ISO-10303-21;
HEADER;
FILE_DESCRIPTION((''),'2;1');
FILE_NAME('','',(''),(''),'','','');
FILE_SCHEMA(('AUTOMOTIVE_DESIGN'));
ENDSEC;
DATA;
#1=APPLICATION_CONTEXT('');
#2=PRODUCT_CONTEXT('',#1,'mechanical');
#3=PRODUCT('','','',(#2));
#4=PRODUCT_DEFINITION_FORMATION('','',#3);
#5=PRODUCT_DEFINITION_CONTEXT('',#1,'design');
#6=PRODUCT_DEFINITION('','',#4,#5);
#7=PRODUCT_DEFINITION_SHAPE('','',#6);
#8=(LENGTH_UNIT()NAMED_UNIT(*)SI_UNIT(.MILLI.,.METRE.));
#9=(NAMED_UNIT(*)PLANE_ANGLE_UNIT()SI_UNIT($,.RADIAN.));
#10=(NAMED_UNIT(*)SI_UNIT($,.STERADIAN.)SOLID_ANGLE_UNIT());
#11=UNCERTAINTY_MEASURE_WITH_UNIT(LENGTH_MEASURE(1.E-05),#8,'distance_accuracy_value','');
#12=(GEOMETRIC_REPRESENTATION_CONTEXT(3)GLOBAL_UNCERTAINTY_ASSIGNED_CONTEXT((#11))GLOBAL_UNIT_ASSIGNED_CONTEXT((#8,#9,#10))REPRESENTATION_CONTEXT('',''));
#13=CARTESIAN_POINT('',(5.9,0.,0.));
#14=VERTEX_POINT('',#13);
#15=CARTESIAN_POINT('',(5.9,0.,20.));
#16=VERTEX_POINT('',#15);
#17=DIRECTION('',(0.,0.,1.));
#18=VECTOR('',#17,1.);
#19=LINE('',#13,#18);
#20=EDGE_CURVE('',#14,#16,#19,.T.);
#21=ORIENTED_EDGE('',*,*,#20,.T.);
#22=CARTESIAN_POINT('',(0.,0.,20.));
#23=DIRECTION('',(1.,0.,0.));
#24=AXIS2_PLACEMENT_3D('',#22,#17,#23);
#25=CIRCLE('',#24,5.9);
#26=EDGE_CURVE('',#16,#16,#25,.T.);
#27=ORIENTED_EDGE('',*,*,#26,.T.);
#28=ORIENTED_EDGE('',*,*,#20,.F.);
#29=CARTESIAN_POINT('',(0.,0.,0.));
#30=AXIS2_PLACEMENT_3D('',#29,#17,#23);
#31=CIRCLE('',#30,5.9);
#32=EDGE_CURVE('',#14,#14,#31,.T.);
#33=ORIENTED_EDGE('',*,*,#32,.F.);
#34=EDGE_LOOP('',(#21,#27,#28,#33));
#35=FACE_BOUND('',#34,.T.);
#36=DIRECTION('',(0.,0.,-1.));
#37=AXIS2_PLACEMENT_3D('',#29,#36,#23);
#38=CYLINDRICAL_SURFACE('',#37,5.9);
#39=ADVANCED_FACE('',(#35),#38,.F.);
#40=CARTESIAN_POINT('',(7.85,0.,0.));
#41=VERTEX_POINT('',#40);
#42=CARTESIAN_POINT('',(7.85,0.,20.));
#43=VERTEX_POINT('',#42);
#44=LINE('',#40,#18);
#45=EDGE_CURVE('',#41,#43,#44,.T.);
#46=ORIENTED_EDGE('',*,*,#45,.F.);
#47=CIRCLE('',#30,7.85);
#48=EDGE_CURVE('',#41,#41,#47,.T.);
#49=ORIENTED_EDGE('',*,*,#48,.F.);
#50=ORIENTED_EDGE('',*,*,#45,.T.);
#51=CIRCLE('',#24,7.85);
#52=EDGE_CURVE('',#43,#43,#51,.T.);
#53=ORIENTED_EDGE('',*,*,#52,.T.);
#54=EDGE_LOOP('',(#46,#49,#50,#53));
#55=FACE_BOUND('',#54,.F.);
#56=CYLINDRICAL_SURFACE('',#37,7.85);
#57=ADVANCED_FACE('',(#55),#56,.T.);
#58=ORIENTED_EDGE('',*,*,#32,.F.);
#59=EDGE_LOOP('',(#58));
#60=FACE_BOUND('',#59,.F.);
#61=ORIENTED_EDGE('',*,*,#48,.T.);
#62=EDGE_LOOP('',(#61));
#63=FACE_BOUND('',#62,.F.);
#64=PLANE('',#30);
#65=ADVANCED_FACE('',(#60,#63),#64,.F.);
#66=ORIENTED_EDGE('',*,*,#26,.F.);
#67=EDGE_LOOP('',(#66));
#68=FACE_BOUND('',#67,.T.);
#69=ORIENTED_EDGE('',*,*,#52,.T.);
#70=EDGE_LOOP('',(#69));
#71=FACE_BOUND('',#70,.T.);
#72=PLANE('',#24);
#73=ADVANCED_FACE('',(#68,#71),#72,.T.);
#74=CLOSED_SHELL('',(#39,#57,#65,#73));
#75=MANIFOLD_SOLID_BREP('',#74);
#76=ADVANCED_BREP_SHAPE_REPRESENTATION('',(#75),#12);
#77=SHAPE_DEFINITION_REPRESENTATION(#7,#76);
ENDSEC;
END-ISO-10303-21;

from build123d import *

# Parameters (mm, degrees)
CYLINDER_R        = 5.9
CYLINDER_DEPTH    = 20
CYLINDER001_R     = 7.85
CYLINDER001_DEPTH = 20


with BuildPart() as cylinder:
    # Cylinder → Cylinder (new body)
    with BuildSketch(Plane.XY):
        Circle(CYLINDER_R)
    extrude(amount=CYLINDER_DEPTH)


with BuildPart() as wheel_spacer:
    # Cylinder001 → Cylinder001 (new body)
    with BuildSketch(Plane.XY):
        Circle(CYLINDER001_R)
    extrude(amount=CYLINDER001_DEPTH)

    # Cut: cut Cylinder
    add(cylinder.part, mode=Mode.SUBTRACT)


solid = wheel_spacer.part
